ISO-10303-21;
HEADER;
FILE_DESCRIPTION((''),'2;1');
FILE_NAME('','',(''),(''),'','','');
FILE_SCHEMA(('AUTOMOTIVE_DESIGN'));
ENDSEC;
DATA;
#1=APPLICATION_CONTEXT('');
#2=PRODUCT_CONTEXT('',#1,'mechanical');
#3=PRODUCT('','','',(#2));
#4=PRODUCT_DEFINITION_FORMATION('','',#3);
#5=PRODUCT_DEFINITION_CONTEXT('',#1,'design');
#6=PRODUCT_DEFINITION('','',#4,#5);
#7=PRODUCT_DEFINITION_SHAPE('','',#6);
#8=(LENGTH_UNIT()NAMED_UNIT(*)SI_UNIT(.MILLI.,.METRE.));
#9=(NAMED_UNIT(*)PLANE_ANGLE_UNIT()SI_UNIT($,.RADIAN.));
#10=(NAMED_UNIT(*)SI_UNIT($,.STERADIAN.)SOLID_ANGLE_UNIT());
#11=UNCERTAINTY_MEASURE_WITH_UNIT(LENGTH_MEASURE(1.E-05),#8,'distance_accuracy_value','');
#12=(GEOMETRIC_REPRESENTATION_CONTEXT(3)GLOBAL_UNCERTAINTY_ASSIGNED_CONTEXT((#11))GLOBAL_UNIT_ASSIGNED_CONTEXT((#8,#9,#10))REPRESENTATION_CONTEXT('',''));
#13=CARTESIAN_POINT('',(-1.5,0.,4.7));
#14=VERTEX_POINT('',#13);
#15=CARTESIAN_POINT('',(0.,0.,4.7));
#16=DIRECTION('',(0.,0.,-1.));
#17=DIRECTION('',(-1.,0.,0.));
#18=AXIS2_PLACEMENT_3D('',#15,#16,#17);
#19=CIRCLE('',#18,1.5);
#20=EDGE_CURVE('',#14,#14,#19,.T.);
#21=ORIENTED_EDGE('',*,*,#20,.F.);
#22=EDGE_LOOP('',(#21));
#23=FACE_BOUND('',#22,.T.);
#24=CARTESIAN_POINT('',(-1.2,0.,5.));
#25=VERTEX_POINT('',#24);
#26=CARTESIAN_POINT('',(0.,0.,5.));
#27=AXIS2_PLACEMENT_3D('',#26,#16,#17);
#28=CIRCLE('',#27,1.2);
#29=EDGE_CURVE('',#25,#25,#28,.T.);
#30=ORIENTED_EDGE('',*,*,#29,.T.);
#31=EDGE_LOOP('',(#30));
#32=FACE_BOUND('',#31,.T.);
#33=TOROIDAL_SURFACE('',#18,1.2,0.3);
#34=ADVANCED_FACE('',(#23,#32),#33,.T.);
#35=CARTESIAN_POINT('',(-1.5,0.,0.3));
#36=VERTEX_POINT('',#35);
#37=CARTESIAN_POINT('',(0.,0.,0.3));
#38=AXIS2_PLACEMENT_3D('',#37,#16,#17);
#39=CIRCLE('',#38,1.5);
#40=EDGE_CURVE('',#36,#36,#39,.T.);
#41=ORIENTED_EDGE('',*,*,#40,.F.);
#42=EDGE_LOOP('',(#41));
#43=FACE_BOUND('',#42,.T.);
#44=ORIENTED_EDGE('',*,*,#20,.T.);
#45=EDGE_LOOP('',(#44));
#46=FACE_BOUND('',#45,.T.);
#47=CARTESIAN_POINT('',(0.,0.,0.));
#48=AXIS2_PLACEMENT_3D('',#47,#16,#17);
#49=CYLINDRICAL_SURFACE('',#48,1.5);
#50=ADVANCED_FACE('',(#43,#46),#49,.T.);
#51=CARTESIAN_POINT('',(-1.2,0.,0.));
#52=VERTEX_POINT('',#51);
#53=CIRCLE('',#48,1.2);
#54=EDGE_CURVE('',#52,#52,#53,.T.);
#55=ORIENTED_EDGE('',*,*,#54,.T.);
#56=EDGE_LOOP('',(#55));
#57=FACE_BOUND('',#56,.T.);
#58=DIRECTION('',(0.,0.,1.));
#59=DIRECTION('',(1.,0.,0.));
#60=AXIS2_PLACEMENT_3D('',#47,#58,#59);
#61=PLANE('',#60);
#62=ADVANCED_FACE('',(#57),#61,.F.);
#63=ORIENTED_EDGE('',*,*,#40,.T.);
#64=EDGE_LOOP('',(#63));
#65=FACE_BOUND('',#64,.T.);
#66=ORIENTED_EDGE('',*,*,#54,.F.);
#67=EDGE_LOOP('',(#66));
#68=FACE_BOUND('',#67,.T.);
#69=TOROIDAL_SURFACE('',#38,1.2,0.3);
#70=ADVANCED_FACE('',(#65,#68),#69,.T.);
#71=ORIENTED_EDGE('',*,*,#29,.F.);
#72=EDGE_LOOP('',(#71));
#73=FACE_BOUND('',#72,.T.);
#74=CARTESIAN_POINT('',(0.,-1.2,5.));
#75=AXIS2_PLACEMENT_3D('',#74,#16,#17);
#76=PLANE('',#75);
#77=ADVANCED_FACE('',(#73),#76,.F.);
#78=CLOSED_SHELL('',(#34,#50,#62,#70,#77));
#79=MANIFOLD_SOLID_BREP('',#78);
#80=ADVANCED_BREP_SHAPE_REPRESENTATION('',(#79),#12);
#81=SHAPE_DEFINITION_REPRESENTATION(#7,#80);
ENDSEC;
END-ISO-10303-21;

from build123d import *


with BuildPart() as part:
    # Эскиз1 → Повернуть1 (revolve)
    with BuildSketch(Plane(origin=(0, 0, 0), x_dir=(0, 0, -1), z_dir=(1, 0, 0)), mode=Mode.PRIVATE) as revolve_1_sk:
        with BuildLine():
            Line((0, 0), (-5, 0))
            Line((-5, 0), (-5, -1.2))
            ThreePointArc((-5, -1.2), (-4.912132034, -1.412132034), (-4.7, -1.5))
            Line((-4.7, -1.5), (-0.3, -1.5))
            ThreePointArc((-0.3, -1.5), (-0.087867966, -1.412132034), (0, -1.2))
            Line((0, -1.2), (0, 0))
        make_face()
    revolve(revolve_1_sk.sketch.rotate(Axis((0, 0, 0), (0, 0, 1)), 270), axis=Axis((0, 0, 0), (0, 0, 1)))


solid = part.part
